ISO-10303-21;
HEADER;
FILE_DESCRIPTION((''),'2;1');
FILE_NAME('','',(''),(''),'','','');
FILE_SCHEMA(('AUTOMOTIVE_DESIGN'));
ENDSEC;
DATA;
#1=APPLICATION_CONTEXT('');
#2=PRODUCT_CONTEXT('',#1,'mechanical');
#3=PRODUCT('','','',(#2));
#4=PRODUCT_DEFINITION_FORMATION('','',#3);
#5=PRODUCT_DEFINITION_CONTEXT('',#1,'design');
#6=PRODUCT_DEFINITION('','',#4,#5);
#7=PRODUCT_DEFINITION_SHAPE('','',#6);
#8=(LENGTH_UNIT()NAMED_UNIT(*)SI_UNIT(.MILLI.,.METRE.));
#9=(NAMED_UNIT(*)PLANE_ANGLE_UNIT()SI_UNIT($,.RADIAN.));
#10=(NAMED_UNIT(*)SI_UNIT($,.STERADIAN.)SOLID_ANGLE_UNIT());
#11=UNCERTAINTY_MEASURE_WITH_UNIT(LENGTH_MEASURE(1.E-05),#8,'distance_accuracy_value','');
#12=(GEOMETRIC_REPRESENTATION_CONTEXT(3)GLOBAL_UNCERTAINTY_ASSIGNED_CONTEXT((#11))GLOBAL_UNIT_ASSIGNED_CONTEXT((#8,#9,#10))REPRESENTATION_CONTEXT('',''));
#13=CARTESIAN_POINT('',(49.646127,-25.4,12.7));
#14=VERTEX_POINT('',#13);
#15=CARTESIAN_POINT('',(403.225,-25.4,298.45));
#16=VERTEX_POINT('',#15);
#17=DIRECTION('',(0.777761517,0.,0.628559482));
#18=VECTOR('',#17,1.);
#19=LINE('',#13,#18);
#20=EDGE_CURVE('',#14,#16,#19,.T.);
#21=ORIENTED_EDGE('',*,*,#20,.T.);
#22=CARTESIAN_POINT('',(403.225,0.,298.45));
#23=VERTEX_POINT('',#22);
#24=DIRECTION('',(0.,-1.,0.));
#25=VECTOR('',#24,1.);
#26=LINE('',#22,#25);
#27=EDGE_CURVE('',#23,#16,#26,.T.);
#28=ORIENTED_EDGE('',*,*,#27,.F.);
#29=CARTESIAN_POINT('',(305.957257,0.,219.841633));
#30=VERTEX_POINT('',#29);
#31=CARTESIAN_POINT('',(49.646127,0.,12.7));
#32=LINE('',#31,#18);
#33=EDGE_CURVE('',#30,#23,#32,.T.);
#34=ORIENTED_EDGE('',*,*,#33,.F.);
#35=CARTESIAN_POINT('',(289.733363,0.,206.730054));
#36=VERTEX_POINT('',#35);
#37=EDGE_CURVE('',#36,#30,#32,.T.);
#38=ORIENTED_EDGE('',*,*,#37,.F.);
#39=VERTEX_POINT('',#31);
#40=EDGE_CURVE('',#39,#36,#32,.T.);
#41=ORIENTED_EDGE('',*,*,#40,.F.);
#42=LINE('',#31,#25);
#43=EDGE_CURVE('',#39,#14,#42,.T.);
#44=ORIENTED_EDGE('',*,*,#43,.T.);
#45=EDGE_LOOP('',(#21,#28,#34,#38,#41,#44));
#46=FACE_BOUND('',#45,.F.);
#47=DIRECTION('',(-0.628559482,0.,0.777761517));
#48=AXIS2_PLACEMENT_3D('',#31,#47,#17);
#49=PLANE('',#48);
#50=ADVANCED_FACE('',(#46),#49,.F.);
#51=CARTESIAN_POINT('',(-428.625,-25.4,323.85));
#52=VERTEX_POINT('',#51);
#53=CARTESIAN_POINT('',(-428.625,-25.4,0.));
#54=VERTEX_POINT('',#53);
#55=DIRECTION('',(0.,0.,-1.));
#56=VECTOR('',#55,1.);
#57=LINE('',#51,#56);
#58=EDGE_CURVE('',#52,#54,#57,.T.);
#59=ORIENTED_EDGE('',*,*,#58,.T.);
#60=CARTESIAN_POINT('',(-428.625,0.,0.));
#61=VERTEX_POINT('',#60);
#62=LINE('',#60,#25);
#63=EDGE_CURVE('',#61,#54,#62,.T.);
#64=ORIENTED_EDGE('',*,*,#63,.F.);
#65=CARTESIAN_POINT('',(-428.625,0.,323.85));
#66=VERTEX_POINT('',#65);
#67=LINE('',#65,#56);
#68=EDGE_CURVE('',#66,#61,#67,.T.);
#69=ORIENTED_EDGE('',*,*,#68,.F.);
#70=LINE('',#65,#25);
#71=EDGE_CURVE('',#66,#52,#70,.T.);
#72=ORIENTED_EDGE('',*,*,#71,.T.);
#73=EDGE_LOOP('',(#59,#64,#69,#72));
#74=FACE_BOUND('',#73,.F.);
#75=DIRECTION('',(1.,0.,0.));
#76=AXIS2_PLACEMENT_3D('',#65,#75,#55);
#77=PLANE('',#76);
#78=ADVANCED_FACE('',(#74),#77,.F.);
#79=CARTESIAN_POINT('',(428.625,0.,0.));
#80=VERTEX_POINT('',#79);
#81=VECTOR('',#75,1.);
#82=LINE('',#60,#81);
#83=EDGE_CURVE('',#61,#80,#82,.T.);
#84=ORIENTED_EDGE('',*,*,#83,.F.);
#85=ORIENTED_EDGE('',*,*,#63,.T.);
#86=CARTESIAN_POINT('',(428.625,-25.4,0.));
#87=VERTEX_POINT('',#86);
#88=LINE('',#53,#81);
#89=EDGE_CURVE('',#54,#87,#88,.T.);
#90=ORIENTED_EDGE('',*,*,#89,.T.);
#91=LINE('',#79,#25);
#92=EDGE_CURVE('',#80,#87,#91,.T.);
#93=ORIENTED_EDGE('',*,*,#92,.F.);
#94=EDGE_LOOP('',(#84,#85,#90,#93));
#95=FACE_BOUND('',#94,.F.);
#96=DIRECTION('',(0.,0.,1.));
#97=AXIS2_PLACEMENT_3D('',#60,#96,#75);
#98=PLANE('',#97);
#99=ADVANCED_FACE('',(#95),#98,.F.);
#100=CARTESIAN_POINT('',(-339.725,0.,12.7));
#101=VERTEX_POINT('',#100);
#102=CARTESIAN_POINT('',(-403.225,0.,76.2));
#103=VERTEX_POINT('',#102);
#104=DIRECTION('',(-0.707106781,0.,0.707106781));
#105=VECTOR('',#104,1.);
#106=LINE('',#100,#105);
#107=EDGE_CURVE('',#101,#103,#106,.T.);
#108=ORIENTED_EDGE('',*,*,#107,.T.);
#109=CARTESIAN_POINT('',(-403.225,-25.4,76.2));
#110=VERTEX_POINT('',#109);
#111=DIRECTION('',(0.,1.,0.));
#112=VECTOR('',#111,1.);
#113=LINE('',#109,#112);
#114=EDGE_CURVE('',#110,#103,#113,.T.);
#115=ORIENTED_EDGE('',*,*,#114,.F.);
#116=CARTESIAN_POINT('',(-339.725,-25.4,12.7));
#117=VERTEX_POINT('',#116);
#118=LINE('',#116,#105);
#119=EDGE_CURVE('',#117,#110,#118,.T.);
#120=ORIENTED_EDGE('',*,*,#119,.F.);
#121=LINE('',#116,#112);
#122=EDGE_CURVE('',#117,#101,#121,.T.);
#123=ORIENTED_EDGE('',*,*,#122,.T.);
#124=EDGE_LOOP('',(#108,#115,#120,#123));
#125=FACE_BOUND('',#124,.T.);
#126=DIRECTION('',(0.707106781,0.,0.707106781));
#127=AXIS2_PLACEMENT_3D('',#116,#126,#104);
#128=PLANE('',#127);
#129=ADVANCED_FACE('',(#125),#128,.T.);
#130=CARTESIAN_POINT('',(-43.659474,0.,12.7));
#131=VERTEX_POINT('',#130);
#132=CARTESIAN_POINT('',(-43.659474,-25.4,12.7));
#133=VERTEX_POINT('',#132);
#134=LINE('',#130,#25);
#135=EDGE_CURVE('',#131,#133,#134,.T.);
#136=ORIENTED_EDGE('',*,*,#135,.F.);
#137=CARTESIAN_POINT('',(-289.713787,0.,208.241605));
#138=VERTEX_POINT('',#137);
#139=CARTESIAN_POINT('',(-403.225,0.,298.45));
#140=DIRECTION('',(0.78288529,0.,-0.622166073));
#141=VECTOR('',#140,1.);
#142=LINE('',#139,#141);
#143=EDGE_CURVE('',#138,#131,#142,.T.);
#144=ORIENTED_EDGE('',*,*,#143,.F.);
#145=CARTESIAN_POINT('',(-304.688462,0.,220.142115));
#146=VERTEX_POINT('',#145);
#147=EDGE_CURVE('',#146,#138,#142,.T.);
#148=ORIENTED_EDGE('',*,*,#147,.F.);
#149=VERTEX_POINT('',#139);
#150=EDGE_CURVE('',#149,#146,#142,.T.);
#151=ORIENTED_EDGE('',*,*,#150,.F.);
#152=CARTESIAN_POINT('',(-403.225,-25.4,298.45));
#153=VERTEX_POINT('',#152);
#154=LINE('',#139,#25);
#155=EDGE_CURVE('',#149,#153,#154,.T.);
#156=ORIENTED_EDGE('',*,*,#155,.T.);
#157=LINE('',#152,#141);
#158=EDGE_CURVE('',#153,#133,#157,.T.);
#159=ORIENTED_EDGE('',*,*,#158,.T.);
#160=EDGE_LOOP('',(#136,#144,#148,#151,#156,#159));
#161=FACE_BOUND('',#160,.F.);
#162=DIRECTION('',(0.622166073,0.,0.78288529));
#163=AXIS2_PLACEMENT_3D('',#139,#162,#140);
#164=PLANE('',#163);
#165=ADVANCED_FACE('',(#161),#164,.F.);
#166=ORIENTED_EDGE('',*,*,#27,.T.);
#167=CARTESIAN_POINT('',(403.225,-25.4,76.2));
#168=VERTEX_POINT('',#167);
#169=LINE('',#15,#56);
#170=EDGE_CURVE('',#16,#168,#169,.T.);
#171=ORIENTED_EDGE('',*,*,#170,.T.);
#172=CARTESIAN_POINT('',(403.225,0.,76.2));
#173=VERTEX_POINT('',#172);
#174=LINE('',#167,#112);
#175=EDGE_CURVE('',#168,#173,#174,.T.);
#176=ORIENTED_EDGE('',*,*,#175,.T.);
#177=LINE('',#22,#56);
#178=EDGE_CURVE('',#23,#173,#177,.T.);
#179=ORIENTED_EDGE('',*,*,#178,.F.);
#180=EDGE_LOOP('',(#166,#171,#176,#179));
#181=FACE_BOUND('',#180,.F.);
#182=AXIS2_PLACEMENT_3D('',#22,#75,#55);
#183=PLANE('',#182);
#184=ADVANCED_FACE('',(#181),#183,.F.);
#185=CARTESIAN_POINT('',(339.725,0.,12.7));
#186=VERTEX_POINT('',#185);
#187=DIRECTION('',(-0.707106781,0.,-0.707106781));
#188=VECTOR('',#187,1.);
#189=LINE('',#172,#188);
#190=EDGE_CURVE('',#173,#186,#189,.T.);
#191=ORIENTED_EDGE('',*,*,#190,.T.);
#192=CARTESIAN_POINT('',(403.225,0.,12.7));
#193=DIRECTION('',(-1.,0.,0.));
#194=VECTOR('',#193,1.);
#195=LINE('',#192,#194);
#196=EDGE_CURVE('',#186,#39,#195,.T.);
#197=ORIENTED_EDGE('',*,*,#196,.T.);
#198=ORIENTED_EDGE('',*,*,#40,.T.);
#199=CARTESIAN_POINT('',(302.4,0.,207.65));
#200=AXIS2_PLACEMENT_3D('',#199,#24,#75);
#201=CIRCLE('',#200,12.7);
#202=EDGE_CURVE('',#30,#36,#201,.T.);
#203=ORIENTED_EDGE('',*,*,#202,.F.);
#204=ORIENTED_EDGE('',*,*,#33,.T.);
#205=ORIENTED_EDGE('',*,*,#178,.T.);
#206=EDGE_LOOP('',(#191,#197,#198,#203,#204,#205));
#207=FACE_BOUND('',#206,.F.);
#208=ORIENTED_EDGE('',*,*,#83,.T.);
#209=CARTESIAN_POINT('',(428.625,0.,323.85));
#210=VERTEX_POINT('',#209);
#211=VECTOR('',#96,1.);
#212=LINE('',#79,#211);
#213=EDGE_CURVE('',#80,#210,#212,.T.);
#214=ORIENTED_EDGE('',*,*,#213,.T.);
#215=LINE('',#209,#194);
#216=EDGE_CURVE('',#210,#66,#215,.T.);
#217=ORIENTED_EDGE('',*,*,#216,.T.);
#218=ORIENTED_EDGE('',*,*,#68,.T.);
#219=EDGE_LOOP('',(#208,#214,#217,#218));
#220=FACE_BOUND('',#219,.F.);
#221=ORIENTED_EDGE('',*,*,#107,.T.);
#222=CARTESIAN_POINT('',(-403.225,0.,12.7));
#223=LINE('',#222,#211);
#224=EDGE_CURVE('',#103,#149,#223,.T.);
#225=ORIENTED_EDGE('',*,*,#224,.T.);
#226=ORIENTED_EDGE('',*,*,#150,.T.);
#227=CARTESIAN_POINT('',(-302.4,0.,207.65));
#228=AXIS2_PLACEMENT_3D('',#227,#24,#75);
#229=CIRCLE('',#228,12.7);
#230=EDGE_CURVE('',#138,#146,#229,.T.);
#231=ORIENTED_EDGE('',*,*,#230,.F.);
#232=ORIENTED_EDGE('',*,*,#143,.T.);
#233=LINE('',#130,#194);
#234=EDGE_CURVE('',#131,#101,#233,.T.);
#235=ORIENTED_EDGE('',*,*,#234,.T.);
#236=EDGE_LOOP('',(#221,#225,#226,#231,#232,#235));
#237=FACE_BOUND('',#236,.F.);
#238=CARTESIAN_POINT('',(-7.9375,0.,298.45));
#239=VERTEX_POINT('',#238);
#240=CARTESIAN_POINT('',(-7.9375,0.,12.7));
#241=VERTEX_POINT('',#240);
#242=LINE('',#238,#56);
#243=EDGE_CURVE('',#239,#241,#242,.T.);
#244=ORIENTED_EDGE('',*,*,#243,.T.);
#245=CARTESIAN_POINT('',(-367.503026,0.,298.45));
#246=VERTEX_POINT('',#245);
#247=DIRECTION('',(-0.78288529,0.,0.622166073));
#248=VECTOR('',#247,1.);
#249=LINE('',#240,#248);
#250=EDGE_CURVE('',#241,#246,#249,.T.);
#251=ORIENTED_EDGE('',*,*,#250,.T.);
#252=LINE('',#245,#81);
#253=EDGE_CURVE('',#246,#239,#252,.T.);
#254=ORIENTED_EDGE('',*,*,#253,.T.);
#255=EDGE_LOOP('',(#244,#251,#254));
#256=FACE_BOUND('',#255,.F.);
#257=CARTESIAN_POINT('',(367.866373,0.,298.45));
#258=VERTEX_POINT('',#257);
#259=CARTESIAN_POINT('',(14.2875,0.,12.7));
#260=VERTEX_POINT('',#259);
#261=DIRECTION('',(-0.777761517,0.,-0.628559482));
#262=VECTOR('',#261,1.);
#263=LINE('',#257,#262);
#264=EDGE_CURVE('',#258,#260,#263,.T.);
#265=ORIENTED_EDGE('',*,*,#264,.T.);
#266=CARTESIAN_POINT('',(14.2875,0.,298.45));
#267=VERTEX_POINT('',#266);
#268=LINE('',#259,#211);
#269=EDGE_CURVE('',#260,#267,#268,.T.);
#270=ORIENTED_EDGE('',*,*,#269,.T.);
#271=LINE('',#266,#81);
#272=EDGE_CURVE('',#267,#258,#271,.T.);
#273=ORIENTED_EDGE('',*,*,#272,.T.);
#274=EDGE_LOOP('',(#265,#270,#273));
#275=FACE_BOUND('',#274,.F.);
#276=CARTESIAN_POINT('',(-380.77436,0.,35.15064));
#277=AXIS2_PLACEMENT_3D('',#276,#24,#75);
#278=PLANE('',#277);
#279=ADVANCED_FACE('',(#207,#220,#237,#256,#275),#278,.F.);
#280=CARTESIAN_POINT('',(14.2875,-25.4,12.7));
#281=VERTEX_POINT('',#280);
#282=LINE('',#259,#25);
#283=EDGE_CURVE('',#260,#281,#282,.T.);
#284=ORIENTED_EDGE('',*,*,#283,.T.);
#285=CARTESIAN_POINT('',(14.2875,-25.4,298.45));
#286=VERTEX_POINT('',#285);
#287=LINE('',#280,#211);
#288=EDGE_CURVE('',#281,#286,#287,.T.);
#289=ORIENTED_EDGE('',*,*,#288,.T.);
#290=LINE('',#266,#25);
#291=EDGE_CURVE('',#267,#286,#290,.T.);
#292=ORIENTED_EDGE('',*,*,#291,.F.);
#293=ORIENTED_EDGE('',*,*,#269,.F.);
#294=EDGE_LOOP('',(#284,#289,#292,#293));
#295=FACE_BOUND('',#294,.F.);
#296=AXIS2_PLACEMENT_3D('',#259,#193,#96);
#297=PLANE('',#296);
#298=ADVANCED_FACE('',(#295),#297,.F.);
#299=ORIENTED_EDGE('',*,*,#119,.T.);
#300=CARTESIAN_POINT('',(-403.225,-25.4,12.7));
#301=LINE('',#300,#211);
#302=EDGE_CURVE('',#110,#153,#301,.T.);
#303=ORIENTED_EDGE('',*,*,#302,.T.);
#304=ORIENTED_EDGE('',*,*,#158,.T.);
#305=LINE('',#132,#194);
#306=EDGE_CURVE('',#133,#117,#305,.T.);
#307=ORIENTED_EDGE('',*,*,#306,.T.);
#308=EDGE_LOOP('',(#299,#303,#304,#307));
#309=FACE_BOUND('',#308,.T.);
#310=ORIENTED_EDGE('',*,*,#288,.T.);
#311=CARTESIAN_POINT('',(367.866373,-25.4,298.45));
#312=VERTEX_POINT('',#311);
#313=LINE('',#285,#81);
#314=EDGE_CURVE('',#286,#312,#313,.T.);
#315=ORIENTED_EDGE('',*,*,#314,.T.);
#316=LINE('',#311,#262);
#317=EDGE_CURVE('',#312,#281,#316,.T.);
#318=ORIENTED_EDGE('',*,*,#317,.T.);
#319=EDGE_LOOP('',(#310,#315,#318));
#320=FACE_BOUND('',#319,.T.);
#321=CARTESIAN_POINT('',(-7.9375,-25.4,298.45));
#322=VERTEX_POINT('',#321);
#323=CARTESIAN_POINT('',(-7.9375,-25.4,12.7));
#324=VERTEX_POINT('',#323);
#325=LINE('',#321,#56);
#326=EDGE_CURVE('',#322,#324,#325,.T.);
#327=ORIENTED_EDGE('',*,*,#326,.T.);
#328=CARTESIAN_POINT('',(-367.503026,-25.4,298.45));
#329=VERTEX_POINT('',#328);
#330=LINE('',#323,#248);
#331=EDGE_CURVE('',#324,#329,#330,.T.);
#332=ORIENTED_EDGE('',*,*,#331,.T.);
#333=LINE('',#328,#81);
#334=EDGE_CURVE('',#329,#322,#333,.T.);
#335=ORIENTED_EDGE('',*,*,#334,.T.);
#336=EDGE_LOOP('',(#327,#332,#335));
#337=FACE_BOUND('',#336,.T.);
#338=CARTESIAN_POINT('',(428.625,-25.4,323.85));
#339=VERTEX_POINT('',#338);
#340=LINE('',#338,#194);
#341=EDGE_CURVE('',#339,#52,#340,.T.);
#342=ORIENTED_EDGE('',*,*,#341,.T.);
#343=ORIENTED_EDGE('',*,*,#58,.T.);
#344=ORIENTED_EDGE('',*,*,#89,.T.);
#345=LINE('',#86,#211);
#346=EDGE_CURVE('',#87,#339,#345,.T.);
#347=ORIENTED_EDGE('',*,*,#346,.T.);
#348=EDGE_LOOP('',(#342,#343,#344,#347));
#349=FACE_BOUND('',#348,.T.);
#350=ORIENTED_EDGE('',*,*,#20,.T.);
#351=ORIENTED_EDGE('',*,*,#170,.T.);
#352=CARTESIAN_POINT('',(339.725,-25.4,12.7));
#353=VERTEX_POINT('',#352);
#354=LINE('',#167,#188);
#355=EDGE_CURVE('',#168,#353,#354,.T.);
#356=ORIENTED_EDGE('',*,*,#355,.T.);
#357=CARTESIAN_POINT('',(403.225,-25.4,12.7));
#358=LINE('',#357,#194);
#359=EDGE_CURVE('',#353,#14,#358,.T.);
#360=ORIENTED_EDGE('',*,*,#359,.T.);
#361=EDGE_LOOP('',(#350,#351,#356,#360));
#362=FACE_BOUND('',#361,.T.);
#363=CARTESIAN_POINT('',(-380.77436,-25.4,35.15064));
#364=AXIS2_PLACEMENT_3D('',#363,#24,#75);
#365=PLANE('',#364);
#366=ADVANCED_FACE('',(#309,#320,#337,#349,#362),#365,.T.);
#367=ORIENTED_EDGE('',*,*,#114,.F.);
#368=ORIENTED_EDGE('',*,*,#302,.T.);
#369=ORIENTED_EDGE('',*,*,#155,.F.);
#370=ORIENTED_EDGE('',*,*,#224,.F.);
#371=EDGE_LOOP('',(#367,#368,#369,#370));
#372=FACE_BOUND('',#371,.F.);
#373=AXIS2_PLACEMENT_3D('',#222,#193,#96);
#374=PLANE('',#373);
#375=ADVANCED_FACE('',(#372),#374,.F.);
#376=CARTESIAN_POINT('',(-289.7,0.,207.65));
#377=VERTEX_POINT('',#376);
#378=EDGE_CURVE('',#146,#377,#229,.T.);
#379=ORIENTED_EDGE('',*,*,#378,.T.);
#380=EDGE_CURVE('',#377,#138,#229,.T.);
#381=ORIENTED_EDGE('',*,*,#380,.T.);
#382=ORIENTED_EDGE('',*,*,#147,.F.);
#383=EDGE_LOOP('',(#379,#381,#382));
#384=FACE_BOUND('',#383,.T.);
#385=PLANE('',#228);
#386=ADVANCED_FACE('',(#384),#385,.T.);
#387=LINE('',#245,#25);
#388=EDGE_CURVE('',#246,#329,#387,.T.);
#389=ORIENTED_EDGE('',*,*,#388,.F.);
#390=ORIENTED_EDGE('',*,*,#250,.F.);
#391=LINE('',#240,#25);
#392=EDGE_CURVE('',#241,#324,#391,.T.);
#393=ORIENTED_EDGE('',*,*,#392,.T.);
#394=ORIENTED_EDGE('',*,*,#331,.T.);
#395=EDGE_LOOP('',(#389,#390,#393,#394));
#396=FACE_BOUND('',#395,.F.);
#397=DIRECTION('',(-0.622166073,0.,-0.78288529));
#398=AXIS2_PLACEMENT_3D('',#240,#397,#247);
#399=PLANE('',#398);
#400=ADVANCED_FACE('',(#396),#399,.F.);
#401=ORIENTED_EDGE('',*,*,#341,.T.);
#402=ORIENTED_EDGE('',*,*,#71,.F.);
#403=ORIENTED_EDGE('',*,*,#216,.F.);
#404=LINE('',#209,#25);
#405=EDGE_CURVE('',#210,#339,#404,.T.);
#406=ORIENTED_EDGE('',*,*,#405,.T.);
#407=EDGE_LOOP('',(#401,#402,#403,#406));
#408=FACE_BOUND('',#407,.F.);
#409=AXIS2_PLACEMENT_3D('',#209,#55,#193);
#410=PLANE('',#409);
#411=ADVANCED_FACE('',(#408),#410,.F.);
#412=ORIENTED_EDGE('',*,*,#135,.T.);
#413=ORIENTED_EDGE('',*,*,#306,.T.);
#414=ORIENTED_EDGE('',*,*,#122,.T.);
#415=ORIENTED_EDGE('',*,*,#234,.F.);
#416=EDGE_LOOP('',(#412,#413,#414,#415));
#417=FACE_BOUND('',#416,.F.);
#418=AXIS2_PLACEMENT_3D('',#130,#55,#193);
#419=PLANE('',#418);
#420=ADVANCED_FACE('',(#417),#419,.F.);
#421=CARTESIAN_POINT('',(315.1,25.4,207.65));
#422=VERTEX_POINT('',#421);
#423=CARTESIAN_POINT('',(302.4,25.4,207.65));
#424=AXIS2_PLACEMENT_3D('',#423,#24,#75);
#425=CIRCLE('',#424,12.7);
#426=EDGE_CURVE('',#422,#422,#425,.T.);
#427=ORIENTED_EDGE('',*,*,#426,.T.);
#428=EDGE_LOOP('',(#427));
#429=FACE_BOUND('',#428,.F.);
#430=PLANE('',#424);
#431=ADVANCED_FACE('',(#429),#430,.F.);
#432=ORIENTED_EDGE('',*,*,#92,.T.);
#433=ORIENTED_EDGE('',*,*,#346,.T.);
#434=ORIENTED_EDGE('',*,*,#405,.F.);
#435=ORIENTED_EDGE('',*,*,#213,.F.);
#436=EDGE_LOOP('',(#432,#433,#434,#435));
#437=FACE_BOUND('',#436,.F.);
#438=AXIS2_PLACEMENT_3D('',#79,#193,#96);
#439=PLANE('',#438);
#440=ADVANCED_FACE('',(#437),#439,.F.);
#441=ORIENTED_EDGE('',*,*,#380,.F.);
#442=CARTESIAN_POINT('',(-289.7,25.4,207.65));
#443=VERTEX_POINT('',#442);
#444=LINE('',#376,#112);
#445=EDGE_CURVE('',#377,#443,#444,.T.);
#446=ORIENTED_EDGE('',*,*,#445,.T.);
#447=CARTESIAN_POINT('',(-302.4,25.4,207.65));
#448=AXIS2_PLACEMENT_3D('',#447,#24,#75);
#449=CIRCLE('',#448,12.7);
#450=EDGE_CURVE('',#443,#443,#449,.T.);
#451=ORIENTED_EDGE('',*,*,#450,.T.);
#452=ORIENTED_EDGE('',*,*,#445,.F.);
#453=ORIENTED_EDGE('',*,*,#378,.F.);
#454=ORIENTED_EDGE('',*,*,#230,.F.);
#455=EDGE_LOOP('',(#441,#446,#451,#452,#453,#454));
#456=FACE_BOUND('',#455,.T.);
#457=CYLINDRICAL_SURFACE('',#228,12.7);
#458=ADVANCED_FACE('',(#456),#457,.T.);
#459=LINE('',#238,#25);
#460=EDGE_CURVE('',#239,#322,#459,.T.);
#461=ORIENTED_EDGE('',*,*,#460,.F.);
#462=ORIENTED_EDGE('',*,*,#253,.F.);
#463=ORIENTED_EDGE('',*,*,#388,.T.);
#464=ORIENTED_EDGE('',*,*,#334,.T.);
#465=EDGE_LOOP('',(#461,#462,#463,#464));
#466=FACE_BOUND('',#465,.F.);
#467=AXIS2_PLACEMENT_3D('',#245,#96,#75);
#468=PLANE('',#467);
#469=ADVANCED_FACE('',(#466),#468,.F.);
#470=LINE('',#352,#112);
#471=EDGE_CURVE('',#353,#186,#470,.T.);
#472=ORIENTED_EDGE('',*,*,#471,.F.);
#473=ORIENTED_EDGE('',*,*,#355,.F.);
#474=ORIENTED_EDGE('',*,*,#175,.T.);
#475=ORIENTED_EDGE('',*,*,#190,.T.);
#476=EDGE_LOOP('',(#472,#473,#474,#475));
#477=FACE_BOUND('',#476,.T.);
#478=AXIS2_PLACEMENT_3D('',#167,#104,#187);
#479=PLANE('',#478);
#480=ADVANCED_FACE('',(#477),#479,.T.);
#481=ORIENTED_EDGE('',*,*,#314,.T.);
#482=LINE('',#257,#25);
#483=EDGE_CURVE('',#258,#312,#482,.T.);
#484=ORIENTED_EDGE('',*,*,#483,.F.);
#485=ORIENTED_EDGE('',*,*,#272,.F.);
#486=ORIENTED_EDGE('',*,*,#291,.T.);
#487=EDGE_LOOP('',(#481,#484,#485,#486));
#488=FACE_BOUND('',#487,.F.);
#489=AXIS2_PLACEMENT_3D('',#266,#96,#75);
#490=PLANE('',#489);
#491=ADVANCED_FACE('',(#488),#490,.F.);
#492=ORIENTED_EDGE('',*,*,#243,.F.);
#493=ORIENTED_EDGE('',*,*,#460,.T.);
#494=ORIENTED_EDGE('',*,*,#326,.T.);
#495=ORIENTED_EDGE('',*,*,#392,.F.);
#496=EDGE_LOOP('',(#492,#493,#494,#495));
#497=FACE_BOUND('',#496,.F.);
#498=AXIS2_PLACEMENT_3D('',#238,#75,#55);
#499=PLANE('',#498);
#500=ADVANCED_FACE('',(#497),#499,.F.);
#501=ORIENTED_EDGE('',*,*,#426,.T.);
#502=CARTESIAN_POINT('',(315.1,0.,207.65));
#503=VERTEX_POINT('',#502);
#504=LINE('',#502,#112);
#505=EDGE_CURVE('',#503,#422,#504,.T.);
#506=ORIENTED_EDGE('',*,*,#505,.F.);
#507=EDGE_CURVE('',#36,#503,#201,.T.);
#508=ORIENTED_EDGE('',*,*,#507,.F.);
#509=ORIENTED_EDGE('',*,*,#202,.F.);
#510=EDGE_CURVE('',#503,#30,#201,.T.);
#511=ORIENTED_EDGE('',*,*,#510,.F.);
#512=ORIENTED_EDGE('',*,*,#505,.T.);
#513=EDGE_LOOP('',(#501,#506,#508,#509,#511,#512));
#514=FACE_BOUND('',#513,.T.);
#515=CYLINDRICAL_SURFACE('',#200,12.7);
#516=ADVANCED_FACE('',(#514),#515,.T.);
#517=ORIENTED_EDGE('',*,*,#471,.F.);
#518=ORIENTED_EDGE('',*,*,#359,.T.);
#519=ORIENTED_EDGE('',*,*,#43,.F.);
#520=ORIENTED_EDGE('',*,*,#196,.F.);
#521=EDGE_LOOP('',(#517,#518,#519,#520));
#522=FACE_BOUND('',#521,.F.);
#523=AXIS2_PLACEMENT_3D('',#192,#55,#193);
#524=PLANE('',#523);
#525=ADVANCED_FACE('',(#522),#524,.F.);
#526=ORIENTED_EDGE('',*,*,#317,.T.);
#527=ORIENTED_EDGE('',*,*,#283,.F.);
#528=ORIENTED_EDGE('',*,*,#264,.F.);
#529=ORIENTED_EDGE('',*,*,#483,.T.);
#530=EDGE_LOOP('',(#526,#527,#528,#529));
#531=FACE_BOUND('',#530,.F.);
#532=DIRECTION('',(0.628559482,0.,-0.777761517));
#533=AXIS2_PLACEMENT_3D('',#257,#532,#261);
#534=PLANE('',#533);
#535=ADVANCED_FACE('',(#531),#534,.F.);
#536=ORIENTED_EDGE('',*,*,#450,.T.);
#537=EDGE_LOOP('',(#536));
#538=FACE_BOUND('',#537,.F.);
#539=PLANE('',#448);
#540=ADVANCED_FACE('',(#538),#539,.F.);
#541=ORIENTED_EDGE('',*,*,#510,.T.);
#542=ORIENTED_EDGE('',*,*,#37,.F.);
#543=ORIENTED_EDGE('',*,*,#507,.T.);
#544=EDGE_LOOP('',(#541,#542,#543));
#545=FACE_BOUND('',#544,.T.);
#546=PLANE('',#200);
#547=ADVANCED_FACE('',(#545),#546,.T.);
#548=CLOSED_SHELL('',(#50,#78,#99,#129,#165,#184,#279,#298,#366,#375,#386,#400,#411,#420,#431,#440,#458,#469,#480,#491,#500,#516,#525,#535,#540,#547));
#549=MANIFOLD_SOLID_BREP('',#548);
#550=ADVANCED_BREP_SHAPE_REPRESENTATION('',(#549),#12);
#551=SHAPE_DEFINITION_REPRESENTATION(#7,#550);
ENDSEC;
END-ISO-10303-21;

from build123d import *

# Parameters (mm, degrees)
F1_DEPTH = 25.4
F3_DEPTH = 25.4
F4_R     = 12.7
F5_DEPTH = 25.4


with BuildPart() as f1:
    # F0 (on Front) → F1 (new body)
    with BuildSketch(Plane.XZ):
        Polygon((403.225, 12.7), (428.625, 12.7), (428.625, 298.45), (428.625, 323.85), (-428.625, 323.85), (-428.625, 298.45), (-428.625, 12.7), (-403.225, 12.7), (-403.225, 298.45), (-43.6594735359, 12.7), (-7.9375, 12.7), (14.2875, 12.7), (49.6461265683, 12.7), (403.225, 298.45), align=None)
        Polygon((-7.9375, 298.45), (-7.9375, 12.7), (-367.5030264641, 298.45), align=None, mode=Mode.SUBTRACT)
        Polygon((367.8663734317, 298.45), (14.2875, 12.7), (14.2875, 298.45), align=None, mode=Mode.SUBTRACT)
        Polygon((428.625, 0), (428.625, 12.7), (403.225, 12.7), (49.6461265683, 12.7), (14.2875, 12.7), (-7.9375, 12.7), (-43.6594735359, 12.7), (-403.225, 12.7), (-428.625, 12.7), (-428.625, 0), align=None)
    extrude(amount=F1_DEPTH)

    # F2 (on face) → F3 (join)
    with BuildSketch(Plane.XZ.offset(25.4)):
        Polygon((-339.725, 12.7), (-403.225, 76.2), (-403.225, 12.7), align=None)
        Polygon((403.225, 76.2), (339.725, 12.7), (403.225, 12.7), align=None)
    extrude(amount=-F3_DEPTH)

    # F4 (on Front) → F5 (join)
    with BuildSketch(Plane.XZ):
        with Locations((-302.4, 207.65)):
            Circle(F4_R)
        with Locations((302.4, 207.65)):
            Circle(F4_R)
    extrude(amount=-F5_DEPTH)


solid = f1.part
